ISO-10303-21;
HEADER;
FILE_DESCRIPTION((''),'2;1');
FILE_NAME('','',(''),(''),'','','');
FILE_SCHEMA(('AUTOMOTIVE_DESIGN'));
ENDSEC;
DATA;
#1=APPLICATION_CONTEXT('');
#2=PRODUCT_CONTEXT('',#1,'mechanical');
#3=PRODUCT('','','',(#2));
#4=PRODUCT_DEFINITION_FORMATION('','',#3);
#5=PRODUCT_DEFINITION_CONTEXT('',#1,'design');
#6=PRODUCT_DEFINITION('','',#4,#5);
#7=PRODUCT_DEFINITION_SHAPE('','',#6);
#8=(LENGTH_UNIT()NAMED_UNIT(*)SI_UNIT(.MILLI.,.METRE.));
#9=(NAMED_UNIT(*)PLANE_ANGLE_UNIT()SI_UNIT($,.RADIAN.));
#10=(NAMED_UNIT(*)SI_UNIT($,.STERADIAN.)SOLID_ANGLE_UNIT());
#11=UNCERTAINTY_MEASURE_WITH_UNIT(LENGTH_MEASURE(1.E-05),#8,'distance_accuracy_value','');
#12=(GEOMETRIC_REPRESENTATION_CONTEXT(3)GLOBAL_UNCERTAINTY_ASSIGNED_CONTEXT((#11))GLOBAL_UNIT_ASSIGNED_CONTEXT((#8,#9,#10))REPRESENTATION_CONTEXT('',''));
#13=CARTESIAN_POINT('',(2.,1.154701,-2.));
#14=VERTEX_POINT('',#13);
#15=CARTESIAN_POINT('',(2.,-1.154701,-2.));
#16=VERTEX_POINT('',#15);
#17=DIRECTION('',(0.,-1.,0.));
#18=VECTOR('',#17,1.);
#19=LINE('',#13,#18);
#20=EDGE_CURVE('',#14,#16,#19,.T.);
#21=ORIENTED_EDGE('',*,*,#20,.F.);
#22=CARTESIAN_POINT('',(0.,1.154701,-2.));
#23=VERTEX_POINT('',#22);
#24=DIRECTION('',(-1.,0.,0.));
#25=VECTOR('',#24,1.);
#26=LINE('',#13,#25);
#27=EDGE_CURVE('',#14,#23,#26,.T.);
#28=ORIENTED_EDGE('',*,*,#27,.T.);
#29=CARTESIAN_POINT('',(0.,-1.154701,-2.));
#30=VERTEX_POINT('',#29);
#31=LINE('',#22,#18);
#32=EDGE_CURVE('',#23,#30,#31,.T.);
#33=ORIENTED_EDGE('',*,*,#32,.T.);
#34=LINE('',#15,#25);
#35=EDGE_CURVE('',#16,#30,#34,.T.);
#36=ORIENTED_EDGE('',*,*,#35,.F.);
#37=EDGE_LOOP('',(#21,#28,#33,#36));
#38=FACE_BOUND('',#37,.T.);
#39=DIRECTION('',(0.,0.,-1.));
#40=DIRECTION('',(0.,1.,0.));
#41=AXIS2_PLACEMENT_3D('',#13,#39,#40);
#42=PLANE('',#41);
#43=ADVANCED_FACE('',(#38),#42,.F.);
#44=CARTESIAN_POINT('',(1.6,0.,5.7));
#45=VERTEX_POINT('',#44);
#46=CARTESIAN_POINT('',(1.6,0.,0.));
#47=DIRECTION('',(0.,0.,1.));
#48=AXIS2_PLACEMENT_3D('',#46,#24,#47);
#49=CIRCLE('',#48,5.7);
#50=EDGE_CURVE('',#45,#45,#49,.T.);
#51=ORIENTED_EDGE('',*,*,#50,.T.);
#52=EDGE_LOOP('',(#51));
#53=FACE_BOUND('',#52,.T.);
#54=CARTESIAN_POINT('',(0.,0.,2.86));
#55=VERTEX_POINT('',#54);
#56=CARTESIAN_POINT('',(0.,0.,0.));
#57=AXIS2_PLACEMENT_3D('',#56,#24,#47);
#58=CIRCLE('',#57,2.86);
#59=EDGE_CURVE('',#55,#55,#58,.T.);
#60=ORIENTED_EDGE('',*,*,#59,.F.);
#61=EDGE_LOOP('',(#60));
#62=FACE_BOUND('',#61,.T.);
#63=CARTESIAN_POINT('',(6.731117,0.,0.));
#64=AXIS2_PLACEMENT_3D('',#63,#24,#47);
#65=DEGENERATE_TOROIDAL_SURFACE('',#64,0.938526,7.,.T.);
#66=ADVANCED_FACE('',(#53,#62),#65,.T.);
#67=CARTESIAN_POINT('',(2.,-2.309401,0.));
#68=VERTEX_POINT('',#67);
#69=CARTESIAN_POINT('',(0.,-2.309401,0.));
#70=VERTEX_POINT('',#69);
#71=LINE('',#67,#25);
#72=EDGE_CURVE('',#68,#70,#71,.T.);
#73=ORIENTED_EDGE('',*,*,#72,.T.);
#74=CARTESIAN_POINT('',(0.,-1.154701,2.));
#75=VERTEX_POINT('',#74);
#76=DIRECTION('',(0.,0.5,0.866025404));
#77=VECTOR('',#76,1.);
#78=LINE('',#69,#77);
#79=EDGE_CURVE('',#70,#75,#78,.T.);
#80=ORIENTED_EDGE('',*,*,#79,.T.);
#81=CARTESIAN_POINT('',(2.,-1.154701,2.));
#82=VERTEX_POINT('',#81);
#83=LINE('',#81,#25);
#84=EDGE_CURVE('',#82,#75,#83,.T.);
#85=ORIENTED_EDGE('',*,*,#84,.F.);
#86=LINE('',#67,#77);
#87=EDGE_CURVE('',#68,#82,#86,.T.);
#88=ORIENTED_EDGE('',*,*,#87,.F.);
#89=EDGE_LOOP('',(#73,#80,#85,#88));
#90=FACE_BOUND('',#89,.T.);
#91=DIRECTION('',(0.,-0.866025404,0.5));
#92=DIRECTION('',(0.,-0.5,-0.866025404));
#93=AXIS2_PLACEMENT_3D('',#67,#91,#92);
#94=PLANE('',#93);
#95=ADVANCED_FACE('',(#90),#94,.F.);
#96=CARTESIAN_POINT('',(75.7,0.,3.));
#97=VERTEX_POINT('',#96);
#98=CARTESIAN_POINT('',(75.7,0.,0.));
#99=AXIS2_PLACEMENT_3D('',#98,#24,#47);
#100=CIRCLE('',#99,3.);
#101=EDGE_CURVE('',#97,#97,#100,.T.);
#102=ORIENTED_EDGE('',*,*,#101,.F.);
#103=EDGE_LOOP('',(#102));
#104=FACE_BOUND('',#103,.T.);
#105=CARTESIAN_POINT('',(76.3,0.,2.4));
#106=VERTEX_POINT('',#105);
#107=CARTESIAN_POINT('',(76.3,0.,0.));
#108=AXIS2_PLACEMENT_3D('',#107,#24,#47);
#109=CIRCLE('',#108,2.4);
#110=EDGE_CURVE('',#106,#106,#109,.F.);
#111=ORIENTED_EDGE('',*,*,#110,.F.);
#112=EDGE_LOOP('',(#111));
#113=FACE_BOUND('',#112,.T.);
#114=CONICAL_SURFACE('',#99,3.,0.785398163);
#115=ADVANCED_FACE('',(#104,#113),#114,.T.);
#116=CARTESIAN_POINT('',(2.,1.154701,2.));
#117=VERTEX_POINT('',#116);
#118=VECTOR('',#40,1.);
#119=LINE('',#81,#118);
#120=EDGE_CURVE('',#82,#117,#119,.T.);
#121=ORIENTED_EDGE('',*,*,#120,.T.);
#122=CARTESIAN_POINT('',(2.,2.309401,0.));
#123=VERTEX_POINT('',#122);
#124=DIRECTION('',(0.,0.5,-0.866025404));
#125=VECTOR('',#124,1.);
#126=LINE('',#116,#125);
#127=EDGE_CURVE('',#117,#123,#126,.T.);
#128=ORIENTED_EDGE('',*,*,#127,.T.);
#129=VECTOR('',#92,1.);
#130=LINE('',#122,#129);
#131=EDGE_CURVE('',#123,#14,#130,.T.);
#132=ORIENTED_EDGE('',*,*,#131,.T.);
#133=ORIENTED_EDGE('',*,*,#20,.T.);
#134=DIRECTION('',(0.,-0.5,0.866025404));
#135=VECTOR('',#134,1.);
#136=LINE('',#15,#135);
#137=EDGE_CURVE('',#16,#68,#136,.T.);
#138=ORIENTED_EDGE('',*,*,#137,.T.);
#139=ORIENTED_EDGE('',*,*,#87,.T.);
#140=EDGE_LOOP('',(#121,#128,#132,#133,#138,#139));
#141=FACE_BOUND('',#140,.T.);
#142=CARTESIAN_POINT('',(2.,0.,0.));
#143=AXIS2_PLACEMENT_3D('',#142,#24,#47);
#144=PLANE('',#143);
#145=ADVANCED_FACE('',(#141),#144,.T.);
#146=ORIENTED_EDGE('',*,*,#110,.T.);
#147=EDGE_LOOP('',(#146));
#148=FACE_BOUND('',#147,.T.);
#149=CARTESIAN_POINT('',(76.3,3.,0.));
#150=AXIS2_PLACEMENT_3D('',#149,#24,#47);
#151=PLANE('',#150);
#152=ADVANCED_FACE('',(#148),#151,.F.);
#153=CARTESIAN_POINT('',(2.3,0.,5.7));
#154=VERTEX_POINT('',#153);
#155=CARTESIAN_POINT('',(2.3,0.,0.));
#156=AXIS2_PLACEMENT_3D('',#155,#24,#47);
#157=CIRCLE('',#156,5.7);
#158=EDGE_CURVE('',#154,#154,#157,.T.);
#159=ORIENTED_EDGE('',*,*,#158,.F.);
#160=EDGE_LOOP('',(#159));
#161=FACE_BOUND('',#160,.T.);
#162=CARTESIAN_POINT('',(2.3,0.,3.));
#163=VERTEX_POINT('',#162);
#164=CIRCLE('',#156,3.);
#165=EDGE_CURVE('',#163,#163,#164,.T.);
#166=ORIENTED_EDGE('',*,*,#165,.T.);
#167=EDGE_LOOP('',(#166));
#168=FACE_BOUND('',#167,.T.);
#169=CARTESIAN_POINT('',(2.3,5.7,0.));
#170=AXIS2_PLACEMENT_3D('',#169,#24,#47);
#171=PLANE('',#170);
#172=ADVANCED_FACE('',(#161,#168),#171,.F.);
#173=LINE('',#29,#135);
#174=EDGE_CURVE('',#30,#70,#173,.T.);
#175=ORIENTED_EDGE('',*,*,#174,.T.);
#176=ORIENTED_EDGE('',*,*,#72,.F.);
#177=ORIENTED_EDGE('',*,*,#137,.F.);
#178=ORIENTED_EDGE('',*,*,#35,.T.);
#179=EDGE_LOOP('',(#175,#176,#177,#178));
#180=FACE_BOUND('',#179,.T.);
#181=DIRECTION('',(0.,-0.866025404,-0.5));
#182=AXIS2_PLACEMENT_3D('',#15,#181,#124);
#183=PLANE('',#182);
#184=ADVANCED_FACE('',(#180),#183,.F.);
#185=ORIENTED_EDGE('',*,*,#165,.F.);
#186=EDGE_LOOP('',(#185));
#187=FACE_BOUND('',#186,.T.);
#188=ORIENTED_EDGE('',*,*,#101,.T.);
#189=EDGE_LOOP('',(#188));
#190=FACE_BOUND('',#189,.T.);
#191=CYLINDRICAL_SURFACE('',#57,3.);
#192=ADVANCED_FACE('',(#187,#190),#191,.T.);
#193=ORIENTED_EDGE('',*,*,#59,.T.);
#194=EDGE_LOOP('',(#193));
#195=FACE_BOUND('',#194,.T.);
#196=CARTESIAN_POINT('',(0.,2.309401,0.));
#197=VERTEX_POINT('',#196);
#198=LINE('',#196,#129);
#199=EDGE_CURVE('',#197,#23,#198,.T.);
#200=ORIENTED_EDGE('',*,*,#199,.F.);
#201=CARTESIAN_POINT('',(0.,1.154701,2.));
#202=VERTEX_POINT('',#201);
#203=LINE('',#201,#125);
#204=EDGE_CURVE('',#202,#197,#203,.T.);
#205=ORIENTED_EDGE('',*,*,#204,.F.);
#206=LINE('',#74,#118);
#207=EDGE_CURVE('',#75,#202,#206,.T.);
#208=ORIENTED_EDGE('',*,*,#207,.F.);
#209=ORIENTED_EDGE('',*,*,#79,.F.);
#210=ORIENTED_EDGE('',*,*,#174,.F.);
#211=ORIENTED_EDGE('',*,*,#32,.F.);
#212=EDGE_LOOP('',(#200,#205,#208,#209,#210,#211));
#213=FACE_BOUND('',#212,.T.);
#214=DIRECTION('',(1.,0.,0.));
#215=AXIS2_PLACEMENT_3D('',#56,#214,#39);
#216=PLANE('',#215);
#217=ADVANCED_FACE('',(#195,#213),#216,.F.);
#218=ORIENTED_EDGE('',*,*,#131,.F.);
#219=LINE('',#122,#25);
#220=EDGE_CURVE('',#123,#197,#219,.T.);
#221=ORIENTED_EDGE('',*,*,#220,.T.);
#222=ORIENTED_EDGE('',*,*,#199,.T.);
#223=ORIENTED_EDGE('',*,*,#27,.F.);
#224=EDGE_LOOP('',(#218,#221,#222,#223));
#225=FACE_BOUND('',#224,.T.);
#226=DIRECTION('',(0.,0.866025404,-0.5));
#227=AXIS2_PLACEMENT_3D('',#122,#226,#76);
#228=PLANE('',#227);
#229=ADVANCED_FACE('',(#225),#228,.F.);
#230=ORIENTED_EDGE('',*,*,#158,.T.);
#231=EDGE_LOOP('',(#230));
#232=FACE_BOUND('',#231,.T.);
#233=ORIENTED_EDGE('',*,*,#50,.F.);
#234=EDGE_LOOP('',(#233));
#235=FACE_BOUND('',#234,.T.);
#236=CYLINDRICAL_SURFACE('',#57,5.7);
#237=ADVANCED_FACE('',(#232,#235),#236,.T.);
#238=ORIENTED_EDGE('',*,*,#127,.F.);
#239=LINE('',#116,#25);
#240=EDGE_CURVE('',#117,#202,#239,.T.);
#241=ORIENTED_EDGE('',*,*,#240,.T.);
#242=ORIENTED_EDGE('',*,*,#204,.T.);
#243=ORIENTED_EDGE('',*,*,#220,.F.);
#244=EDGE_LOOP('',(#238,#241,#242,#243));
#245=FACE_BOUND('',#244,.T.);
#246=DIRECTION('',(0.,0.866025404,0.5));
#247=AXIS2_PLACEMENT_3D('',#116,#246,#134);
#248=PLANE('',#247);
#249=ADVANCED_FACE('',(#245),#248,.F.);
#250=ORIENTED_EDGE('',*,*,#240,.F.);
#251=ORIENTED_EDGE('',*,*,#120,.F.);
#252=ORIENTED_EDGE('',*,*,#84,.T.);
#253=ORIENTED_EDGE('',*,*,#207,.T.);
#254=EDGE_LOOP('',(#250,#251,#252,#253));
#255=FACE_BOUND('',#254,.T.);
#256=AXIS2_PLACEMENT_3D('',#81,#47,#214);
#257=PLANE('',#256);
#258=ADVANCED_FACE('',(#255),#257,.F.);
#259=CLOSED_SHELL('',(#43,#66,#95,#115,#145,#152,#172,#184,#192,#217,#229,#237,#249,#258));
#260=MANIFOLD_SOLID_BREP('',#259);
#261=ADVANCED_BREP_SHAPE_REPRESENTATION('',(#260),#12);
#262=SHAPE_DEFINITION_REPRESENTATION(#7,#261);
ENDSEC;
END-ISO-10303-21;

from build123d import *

# Parameters (mm, degrees)
CHAMFER1_SIZE      = 0.6
CUT_EXTRUDE1_DEPTH = 2


with BuildPart() as part:
    # Sketch1 → Revolve1 (revolve)
    with BuildSketch(Plane.XY):
        with BuildLine():
            Line((0, 0), (76.3, 0))
            Line((76.3, 0), (76.3, 3))
            Line((76.3, 3), (2.3, 3))
            Line((2.3, 3), (2.3, 5.7))
            Line((2.3, 5.7), (1.6, 5.7))
            ThreePointArc((1.6, 5.7), (0.632383618, 4.374431764), (0, 2.86))
            Line((0, 2.86), (0, 0))
        make_face()
    revolve(axis=Axis((0, 0, 0), (1, 0, 0)))

    # Chamfer1
    chamfer1_edges = [part.edges().sort_by_distance(p)[0] for p in [
        (76.3, -3, 0),
    ]]
    chamfer(chamfer1_edges, length=CHAMFER1_SIZE)

    # Sketch2 → Cut-Extrude1 (cut)
    with BuildSketch(Plane.ZY):
        Polygon((0, 2.309401077), (-2, 1.154700538), (-2, -1.154700538), (0, -2.309401077), (2, -1.154700538), (2, 1.154700538), align=None)
    extrude(amount=-CUT_EXTRUDE1_DEPTH, mode=Mode.SUBTRACT)


solid = part.part
